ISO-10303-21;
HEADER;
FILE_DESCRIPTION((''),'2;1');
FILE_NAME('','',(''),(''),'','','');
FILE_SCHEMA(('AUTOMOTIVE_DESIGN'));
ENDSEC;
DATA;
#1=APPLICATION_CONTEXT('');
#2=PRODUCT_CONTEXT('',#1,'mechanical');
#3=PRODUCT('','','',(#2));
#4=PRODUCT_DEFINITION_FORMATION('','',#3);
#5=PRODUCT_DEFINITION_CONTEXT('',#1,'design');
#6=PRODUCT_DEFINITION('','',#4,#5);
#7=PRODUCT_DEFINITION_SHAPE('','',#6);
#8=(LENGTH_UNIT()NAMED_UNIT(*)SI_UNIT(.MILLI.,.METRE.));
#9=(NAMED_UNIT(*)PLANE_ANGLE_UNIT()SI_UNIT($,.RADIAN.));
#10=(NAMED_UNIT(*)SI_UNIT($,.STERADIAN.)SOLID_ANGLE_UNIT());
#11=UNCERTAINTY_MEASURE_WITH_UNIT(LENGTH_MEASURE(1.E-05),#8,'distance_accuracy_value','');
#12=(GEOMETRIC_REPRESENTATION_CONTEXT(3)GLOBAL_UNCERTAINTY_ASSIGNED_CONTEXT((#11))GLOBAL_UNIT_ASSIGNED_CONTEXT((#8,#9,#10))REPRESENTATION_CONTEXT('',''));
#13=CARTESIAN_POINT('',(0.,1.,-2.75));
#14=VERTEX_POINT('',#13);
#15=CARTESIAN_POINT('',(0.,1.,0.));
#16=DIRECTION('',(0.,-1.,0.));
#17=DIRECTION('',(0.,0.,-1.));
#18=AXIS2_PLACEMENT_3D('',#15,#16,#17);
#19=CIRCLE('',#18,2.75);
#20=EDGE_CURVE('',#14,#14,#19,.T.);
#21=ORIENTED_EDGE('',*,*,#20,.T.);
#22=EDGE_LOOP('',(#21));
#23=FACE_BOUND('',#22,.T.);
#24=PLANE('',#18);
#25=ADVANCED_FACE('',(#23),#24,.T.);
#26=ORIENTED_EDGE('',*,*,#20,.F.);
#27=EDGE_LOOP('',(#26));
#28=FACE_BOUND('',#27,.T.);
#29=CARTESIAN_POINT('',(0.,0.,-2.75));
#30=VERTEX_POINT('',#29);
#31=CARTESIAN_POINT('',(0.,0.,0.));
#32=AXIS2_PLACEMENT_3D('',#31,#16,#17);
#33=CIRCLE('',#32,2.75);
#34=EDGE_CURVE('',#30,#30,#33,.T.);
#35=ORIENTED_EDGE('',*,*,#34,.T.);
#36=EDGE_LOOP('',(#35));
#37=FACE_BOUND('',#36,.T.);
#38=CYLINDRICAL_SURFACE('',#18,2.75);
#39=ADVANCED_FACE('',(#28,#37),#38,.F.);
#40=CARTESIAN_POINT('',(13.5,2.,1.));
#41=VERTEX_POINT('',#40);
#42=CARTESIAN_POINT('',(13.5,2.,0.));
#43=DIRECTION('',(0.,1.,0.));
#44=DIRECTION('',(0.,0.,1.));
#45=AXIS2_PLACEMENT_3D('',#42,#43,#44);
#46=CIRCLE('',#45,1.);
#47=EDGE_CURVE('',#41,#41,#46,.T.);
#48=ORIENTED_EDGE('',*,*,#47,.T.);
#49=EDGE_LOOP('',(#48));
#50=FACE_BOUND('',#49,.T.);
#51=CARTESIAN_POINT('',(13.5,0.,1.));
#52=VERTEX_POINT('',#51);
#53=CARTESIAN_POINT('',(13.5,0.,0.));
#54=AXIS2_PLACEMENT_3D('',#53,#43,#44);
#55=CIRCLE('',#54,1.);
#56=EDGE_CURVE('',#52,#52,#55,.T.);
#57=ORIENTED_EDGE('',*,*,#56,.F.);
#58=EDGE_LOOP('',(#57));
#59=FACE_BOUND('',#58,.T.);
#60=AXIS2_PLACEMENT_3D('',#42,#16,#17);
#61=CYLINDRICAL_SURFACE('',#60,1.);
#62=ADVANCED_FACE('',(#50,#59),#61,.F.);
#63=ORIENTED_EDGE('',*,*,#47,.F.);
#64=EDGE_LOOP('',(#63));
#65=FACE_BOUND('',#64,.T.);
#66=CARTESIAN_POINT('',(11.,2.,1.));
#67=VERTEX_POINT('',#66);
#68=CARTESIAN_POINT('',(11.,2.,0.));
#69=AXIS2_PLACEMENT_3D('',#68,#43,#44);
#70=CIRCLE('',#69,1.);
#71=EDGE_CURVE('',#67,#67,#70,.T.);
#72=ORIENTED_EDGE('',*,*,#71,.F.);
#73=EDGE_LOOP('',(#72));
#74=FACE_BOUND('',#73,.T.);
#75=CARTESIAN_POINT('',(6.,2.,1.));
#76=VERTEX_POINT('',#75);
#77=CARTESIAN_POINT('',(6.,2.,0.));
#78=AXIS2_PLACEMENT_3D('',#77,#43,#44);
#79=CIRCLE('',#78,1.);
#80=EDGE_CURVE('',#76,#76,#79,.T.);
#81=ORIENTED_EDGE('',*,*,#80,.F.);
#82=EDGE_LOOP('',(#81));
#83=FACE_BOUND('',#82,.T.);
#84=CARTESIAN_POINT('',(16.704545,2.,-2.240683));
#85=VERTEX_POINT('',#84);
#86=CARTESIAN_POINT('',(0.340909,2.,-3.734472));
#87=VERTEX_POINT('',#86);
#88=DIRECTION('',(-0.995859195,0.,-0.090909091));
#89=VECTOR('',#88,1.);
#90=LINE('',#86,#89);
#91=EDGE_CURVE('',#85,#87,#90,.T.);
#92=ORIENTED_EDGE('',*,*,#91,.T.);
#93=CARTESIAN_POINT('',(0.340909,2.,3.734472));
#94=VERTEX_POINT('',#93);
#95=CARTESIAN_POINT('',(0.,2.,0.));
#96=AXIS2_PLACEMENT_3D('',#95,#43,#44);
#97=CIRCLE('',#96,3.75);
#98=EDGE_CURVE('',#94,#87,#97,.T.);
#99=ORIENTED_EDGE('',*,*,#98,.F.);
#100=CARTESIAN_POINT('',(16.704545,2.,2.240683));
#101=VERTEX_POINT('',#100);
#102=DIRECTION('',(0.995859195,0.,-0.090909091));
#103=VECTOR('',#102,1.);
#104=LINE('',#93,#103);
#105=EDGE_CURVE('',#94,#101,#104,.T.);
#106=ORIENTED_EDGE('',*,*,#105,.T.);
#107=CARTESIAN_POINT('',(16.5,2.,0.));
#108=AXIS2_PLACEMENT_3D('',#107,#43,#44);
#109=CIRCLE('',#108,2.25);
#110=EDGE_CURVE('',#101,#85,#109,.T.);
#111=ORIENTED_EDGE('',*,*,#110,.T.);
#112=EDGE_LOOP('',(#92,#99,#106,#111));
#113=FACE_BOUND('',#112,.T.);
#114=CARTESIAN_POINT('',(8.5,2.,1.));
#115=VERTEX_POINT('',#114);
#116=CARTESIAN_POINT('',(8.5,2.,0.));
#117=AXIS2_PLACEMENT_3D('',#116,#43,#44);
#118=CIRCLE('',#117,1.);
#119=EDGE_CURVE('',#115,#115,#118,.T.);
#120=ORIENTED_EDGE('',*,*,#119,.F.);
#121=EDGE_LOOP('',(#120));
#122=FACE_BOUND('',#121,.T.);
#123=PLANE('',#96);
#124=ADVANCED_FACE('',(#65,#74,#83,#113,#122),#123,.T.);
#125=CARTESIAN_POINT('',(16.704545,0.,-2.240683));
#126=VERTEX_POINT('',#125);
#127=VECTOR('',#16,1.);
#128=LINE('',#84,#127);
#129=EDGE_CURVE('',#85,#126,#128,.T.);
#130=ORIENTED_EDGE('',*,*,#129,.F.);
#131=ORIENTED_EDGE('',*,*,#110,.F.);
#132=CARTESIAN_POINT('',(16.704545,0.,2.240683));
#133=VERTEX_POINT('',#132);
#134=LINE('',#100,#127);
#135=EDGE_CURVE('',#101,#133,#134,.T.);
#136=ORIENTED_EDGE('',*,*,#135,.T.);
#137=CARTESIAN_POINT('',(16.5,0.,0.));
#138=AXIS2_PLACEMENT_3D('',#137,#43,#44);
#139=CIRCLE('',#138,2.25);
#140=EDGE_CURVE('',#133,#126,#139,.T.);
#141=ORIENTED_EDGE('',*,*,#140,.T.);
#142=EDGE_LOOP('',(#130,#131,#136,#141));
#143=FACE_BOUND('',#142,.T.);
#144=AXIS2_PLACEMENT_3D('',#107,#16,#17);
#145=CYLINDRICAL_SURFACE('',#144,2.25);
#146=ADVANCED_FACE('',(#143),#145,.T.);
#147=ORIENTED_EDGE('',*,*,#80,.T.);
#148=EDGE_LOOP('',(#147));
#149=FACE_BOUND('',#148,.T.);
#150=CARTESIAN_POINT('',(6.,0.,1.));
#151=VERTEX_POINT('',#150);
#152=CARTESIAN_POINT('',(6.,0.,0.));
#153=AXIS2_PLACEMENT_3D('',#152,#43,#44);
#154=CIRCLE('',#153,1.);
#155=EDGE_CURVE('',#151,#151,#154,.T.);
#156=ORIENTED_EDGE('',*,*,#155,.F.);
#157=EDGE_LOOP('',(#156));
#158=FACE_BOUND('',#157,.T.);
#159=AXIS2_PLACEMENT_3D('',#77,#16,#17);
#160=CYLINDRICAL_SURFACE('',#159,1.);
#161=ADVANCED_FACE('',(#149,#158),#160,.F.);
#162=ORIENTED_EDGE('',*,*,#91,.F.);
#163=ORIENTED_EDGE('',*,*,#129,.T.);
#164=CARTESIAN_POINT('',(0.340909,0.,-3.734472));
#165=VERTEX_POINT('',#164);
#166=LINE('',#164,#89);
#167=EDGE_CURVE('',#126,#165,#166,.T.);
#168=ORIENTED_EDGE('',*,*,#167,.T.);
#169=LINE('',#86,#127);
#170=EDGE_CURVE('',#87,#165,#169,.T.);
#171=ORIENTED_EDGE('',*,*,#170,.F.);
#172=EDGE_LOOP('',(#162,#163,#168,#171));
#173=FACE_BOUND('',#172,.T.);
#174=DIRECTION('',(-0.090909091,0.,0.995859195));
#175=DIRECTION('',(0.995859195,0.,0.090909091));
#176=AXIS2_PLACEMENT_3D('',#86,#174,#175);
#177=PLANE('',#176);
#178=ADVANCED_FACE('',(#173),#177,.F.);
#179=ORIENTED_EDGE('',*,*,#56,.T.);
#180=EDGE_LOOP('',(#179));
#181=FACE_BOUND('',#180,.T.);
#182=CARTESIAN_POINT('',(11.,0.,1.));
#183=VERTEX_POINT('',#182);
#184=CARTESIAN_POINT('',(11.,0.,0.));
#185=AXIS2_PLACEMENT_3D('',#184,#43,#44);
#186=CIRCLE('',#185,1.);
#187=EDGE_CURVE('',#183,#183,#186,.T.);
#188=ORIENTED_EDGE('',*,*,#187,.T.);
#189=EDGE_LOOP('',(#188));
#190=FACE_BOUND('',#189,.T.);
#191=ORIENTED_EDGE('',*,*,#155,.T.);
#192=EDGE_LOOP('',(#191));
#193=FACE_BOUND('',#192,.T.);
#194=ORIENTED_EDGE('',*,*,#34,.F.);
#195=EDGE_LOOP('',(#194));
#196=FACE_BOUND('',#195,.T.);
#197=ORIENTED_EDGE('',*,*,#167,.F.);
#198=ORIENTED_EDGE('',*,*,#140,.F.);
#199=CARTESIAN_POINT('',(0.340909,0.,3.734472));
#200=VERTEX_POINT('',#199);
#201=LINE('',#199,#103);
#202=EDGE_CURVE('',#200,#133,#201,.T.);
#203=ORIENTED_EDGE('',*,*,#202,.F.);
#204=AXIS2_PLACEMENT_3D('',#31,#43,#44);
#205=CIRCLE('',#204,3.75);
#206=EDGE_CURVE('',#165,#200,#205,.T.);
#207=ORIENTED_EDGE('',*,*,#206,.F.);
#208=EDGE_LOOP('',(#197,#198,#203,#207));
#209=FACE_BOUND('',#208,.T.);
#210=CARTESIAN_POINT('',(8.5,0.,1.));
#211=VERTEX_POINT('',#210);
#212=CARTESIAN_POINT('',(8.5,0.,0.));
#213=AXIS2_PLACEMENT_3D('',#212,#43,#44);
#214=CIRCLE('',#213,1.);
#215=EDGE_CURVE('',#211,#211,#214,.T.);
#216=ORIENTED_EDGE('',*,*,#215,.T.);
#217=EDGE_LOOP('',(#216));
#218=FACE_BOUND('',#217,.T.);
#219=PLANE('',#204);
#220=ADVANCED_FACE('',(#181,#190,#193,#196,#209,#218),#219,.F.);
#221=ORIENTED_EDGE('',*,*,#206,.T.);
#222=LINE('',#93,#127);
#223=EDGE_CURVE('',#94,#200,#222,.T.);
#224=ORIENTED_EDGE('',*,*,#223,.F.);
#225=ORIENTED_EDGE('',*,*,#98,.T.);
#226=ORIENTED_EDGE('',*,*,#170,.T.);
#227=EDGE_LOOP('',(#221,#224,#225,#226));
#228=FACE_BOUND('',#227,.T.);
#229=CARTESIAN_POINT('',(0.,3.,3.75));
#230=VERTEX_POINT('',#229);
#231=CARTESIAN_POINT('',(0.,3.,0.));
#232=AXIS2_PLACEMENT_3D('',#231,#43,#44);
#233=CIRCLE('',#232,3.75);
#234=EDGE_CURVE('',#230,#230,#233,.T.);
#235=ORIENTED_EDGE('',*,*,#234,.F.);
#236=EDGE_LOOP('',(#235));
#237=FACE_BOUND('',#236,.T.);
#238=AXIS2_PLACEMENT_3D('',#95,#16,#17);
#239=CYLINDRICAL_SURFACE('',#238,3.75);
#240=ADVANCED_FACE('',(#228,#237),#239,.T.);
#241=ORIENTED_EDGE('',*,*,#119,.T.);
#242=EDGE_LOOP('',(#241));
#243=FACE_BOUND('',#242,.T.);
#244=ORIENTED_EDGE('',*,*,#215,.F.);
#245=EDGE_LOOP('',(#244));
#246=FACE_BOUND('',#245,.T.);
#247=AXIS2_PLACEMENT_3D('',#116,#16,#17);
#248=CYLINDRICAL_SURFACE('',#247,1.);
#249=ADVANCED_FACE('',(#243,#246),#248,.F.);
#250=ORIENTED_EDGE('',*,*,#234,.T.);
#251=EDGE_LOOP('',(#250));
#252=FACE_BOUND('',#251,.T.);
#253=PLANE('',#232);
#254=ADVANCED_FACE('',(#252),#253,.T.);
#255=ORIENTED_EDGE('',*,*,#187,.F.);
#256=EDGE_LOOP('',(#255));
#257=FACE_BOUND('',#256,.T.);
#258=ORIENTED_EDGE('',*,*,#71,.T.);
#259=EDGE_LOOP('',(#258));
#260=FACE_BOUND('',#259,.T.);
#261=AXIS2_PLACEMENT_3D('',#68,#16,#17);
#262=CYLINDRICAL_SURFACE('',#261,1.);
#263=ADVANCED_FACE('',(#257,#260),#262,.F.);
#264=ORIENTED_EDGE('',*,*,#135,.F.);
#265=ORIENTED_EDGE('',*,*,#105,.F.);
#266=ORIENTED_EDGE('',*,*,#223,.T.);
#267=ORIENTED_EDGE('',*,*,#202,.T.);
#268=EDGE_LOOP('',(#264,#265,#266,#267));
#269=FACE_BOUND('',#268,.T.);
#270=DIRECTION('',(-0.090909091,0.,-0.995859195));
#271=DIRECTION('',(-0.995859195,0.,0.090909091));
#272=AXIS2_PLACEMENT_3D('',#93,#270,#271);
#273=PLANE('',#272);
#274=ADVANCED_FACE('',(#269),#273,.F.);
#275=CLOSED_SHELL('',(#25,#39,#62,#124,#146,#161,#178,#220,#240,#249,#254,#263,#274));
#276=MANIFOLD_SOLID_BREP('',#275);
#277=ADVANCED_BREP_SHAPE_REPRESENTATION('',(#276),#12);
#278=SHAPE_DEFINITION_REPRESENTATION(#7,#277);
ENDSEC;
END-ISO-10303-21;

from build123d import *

# Parameters (mm, degrees)
SKETCH1_R           = 1
BOSS_EXTRUDE1_DEPTH = 2
SKETCH2_R           = 3.75
BOSS_EXTRUDE2_DEPTH = 1
SKETCH3_R           = 2.75
CUT_EXTRUDE1_DEPTH  = 1


with BuildPart() as part:
    # Sketch1 → Boss-Extrude1 (new body)
    with BuildSketch(Plane(origin=(0, 0, 0), x_dir=(1, 0, 0), z_dir=(0, 1, 0))):
        with BuildLine():
            Line((0.340909091, 3.734471983), (16.704545455, 2.24068319))
            ThreePointArc((16.704545455, 2.24068319), (18.75, 0), (16.704545455, -2.24068319))
            Line((16.704545455, -2.24068319), (0.340909091, -3.734471983))
            ThreePointArc((0.340909091, -3.734471983), (-3.75, 0), (0.340909091, 3.734471983))
        make_face()
        with Locations((6, 0)):
            Circle(SKETCH1_R, mode=Mode.SUBTRACT)
        with Locations((8.5, 0)):
            Circle(SKETCH1_R, mode=Mode.SUBTRACT)
        with Locations((11, 0)):
            Circle(SKETCH1_R, mode=Mode.SUBTRACT)
        with Locations((13.5, 0)):
            Circle(SKETCH1_R, mode=Mode.SUBTRACT)
    extrude(amount=BOSS_EXTRUDE1_DEPTH)

    # Sketch2 → Boss-Extrude2 (add)
    with BuildSketch(Plane(origin=(0, 2, 0), x_dir=(1, 0, 0), z_dir=(0, 1, 0))):
        Circle(SKETCH2_R)
    extrude(amount=BOSS_EXTRUDE2_DEPTH)

    # Sketch3 → Cut-Extrude1 (cut)
    with BuildSketch(Plane.XZ):
        Circle(SKETCH3_R)
    extrude(amount=-CUT_EXTRUDE1_DEPTH, mode=Mode.SUBTRACT)


solid = part.part
